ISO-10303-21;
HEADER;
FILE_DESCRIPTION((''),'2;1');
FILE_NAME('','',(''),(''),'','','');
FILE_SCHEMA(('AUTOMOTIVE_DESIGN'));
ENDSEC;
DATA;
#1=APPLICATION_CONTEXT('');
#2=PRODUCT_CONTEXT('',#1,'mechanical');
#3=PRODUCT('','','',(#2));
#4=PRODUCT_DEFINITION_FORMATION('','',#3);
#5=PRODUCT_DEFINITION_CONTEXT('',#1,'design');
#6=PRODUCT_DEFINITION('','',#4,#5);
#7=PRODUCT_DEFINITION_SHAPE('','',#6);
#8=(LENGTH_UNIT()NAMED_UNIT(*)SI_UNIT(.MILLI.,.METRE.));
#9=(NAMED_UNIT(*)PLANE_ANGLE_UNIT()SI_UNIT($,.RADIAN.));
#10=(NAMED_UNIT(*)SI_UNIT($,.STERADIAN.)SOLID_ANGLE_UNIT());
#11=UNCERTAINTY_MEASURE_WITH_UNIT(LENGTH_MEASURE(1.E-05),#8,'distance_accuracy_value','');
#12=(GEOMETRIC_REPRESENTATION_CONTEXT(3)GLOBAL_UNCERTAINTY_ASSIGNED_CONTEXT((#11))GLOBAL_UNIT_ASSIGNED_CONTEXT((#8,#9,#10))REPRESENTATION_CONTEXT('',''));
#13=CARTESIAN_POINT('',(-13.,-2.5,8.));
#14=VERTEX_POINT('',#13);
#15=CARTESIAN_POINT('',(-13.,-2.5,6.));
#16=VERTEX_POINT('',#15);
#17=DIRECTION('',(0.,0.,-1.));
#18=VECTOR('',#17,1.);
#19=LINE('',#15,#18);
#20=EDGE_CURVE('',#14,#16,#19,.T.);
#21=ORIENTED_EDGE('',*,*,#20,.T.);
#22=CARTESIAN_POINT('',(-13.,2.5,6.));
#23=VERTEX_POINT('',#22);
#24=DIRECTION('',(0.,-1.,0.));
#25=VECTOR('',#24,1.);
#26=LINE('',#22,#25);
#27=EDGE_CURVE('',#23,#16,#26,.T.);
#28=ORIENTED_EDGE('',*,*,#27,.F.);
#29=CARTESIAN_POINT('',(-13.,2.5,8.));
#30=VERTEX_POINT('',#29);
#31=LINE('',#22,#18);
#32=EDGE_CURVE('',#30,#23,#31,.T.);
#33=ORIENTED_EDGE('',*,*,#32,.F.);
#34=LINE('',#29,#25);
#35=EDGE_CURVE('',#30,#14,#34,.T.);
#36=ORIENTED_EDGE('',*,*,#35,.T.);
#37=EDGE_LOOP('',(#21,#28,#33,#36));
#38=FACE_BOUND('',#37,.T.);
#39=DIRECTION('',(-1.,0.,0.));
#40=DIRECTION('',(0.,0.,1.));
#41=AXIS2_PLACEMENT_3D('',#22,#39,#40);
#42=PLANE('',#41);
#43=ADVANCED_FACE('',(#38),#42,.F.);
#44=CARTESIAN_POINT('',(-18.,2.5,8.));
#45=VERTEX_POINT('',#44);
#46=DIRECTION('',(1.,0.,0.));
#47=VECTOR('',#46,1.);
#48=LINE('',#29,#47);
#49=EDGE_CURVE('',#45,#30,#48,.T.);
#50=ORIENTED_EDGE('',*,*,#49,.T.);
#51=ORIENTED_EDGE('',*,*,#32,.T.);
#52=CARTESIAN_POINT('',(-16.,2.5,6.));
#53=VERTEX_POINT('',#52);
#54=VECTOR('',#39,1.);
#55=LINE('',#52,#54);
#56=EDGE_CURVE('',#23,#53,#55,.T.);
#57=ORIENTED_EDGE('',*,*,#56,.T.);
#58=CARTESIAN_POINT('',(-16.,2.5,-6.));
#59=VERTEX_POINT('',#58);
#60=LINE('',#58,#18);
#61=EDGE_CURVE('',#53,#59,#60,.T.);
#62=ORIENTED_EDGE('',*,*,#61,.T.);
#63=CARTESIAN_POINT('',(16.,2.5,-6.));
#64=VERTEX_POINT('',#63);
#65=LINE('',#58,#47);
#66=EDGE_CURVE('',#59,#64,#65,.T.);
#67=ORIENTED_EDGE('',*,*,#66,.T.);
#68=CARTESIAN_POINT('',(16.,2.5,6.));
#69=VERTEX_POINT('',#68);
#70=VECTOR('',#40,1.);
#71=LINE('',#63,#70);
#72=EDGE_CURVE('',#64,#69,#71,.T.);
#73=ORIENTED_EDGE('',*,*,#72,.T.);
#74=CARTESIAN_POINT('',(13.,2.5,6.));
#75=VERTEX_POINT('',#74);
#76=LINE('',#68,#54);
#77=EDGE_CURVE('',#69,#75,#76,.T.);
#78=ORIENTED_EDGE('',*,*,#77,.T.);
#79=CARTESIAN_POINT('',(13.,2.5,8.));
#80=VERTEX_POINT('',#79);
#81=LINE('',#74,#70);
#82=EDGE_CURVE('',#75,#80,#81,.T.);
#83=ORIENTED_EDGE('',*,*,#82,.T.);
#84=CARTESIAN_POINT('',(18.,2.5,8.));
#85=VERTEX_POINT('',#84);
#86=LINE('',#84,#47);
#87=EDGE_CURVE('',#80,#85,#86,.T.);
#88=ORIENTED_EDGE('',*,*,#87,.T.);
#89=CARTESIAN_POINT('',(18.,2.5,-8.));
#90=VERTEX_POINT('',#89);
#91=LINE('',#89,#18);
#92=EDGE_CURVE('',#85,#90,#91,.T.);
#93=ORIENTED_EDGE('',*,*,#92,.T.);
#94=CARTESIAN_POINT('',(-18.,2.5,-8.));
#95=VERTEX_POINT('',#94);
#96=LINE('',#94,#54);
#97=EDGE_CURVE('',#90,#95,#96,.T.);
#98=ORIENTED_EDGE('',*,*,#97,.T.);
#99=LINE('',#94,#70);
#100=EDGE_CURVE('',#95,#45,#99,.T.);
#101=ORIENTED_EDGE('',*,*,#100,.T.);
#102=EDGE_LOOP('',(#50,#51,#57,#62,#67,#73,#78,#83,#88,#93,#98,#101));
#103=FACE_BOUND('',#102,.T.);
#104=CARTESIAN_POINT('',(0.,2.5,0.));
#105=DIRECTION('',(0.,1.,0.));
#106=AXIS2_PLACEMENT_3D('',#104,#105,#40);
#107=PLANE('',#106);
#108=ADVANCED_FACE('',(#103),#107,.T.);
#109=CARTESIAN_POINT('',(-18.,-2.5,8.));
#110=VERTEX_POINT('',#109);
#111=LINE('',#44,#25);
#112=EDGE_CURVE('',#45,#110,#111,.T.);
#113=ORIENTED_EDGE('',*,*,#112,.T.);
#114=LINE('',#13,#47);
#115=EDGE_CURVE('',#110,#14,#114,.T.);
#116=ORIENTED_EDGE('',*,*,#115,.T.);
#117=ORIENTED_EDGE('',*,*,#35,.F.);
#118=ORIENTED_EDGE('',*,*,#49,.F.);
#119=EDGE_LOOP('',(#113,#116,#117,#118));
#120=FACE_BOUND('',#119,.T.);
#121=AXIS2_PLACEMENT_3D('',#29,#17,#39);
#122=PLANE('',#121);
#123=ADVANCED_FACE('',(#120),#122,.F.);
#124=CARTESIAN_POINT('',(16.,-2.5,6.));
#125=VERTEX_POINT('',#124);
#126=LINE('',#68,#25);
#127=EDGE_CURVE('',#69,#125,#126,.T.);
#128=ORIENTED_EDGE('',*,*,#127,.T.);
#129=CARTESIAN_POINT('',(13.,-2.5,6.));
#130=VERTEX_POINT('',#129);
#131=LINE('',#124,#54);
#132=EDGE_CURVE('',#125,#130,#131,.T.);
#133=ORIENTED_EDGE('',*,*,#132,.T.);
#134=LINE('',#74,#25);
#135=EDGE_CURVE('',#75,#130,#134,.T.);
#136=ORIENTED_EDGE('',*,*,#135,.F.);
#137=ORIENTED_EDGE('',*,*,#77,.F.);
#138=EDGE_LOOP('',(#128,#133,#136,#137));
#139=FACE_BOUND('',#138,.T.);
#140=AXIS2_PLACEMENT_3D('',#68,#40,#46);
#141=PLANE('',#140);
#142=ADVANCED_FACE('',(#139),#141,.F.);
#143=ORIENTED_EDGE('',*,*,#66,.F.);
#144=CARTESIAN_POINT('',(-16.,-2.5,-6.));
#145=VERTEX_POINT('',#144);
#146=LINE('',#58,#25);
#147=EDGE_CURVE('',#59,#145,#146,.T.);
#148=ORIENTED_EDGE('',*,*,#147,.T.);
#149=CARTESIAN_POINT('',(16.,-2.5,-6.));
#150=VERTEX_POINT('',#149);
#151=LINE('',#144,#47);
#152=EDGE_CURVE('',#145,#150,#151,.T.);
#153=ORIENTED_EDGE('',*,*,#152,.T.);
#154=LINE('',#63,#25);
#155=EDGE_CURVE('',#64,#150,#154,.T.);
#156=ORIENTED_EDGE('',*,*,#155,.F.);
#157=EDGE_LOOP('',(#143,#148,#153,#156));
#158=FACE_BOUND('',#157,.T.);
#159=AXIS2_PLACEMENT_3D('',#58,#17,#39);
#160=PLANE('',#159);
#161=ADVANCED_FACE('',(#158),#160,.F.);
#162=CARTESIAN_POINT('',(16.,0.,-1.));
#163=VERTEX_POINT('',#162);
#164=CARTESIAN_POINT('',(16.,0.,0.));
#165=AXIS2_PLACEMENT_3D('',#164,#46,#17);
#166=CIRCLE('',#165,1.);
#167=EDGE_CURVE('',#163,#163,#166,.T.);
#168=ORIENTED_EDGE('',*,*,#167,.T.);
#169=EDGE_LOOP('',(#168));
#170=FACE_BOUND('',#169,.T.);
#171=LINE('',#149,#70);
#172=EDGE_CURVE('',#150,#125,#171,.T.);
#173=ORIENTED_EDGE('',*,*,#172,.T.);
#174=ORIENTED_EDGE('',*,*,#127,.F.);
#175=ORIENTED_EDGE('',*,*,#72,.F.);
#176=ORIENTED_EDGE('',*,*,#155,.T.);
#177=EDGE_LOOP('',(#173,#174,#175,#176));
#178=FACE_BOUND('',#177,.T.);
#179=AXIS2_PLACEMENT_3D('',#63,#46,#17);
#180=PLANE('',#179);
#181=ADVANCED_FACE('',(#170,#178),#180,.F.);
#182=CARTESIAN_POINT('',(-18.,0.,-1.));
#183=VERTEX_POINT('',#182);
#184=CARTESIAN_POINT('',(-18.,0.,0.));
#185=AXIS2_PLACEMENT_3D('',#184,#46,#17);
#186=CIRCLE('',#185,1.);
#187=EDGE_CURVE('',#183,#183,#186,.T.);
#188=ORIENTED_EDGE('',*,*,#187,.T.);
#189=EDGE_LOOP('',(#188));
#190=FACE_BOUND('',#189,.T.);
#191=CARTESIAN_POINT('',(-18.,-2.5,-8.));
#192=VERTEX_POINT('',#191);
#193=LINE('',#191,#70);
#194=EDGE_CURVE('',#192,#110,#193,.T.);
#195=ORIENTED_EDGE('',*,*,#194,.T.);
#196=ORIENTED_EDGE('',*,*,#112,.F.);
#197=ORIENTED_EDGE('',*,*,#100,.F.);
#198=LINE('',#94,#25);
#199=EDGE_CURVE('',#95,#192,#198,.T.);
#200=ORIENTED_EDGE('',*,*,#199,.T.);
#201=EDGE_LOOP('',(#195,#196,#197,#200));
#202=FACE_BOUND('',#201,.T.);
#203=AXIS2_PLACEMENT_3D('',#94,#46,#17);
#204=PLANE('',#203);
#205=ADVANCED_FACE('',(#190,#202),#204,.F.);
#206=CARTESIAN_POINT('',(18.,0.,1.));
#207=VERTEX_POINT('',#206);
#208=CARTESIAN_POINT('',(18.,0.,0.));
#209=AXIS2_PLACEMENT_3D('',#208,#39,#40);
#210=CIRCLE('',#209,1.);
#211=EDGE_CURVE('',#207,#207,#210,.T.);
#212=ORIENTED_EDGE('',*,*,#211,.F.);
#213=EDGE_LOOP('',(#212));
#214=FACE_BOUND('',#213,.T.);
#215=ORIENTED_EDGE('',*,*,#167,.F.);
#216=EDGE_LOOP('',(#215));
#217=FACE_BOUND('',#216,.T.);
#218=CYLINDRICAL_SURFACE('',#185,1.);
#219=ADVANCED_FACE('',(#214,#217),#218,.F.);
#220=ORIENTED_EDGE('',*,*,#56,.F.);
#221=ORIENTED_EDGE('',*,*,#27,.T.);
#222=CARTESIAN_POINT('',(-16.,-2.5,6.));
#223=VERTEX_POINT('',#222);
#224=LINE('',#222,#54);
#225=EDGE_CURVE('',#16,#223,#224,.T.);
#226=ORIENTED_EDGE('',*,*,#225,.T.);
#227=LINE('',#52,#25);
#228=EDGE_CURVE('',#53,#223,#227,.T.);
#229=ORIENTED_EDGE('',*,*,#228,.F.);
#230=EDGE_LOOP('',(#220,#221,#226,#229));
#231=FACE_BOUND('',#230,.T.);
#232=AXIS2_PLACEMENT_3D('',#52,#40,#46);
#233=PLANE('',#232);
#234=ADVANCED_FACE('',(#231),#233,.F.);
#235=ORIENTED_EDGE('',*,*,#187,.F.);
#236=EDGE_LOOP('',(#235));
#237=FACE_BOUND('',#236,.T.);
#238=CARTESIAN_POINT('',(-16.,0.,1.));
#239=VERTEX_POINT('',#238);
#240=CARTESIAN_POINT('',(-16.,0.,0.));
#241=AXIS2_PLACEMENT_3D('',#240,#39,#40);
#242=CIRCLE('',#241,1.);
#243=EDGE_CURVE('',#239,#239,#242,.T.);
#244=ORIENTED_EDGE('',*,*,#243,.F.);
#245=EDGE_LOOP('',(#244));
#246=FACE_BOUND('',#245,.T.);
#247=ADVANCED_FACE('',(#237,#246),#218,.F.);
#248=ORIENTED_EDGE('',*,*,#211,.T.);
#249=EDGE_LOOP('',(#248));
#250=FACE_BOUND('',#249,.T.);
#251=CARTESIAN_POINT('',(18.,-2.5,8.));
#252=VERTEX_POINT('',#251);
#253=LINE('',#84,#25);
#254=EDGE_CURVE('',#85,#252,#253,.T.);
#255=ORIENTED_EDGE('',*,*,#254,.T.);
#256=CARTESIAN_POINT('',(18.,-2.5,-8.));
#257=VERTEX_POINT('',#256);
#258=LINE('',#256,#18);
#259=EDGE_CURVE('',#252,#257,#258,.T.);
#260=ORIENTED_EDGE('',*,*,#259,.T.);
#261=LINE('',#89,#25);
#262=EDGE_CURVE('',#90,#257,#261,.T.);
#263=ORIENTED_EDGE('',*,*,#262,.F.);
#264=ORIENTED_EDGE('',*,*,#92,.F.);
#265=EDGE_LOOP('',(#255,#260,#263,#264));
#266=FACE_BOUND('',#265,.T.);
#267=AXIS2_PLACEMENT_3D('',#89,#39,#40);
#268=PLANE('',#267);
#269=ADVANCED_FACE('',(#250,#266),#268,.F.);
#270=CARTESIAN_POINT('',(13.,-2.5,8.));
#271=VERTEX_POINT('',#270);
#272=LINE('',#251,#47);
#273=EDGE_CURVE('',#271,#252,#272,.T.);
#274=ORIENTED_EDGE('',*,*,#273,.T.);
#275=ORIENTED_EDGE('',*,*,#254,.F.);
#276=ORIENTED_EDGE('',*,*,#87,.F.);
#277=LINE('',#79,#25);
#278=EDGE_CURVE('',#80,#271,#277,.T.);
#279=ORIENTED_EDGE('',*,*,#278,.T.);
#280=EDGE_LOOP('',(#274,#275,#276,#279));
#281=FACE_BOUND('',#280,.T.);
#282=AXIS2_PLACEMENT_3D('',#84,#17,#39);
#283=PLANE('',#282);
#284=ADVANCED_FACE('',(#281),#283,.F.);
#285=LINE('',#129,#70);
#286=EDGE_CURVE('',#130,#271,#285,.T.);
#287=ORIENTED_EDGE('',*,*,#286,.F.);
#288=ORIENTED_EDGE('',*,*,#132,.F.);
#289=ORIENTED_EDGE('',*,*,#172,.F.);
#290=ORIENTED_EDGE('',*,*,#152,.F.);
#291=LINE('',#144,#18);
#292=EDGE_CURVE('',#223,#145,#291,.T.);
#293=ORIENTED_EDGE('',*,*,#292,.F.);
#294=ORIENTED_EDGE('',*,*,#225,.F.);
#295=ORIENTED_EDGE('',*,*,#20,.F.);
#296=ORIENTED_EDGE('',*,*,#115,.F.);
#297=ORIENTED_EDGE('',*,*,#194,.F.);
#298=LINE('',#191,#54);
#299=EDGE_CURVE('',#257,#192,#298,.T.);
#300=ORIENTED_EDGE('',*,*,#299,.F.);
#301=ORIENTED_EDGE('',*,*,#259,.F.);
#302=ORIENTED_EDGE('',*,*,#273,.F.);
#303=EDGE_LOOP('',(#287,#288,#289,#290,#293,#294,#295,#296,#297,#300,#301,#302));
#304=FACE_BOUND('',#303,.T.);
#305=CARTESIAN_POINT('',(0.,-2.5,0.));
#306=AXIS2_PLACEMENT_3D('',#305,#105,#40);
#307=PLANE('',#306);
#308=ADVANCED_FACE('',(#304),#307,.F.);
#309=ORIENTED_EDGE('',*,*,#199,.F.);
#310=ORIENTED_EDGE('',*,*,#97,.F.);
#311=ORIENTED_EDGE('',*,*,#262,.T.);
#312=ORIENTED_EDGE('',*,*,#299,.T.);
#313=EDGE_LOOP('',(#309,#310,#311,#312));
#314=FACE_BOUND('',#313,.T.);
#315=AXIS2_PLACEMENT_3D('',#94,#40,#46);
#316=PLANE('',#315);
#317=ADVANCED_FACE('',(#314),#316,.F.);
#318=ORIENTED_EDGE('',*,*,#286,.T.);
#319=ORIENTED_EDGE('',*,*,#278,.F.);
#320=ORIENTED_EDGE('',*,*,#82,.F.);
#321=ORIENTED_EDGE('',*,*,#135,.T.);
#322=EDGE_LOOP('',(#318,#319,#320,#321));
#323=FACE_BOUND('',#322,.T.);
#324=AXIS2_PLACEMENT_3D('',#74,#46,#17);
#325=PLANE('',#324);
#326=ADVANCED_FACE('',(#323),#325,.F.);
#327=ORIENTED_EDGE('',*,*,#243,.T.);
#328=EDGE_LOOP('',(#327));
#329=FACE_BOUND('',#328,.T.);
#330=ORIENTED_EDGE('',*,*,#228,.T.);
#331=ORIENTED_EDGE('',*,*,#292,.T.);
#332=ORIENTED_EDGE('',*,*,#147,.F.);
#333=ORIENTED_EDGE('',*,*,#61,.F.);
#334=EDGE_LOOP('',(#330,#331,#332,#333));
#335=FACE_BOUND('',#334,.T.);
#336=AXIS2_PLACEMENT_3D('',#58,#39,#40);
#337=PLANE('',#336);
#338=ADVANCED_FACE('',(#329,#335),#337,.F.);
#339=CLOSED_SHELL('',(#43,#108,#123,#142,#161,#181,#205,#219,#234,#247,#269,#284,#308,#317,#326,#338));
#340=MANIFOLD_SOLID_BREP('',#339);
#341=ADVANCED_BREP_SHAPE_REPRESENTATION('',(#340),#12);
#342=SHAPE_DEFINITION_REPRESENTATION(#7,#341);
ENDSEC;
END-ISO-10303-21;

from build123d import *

# Parameters (mm, degrees)
BOSS_EXTRUDE1_DEPTH     = 2.5
CUT_EXTRUDE1_DEPTH      = 37.962819157
CUT_EXTRUDE1_DEPTH_BACK = 37.962819157
SKETCH2_R               = 1


with BuildPart() as part:
    # Sketch1 → Boss-Extrude1 (new, symmetric)
    with BuildSketch(Plane(origin=(0, 0, 0), x_dir=(1, 0, 0), z_dir=(0, 1, 0))):
        Polygon((13, -6), (13, -8), (18, -8), (18, 8), (-18, 8), (-18, -8), (-13, -8), (-13, -6), (-16, -6), (-16, 6), (16, 6), (16, -6), align=None)
    extrude(amount=BOSS_EXTRUDE1_DEPTH, both=True)

    # Sketch2 → Cut-Extrude1 (cut, two sides: drawn at the far end of the back side and taken through both)
    with BuildSketch(Plane(origin=(18, 0, 0), x_dir=(0, 0, -1), z_dir=(1, 0, 0)).offset(-CUT_EXTRUDE1_DEPTH_BACK)):
        Circle(SKETCH2_R)
    extrude(amount=CUT_EXTRUDE1_DEPTH + CUT_EXTRUDE1_DEPTH_BACK, mode=Mode.SUBTRACT)


solid = part.part
